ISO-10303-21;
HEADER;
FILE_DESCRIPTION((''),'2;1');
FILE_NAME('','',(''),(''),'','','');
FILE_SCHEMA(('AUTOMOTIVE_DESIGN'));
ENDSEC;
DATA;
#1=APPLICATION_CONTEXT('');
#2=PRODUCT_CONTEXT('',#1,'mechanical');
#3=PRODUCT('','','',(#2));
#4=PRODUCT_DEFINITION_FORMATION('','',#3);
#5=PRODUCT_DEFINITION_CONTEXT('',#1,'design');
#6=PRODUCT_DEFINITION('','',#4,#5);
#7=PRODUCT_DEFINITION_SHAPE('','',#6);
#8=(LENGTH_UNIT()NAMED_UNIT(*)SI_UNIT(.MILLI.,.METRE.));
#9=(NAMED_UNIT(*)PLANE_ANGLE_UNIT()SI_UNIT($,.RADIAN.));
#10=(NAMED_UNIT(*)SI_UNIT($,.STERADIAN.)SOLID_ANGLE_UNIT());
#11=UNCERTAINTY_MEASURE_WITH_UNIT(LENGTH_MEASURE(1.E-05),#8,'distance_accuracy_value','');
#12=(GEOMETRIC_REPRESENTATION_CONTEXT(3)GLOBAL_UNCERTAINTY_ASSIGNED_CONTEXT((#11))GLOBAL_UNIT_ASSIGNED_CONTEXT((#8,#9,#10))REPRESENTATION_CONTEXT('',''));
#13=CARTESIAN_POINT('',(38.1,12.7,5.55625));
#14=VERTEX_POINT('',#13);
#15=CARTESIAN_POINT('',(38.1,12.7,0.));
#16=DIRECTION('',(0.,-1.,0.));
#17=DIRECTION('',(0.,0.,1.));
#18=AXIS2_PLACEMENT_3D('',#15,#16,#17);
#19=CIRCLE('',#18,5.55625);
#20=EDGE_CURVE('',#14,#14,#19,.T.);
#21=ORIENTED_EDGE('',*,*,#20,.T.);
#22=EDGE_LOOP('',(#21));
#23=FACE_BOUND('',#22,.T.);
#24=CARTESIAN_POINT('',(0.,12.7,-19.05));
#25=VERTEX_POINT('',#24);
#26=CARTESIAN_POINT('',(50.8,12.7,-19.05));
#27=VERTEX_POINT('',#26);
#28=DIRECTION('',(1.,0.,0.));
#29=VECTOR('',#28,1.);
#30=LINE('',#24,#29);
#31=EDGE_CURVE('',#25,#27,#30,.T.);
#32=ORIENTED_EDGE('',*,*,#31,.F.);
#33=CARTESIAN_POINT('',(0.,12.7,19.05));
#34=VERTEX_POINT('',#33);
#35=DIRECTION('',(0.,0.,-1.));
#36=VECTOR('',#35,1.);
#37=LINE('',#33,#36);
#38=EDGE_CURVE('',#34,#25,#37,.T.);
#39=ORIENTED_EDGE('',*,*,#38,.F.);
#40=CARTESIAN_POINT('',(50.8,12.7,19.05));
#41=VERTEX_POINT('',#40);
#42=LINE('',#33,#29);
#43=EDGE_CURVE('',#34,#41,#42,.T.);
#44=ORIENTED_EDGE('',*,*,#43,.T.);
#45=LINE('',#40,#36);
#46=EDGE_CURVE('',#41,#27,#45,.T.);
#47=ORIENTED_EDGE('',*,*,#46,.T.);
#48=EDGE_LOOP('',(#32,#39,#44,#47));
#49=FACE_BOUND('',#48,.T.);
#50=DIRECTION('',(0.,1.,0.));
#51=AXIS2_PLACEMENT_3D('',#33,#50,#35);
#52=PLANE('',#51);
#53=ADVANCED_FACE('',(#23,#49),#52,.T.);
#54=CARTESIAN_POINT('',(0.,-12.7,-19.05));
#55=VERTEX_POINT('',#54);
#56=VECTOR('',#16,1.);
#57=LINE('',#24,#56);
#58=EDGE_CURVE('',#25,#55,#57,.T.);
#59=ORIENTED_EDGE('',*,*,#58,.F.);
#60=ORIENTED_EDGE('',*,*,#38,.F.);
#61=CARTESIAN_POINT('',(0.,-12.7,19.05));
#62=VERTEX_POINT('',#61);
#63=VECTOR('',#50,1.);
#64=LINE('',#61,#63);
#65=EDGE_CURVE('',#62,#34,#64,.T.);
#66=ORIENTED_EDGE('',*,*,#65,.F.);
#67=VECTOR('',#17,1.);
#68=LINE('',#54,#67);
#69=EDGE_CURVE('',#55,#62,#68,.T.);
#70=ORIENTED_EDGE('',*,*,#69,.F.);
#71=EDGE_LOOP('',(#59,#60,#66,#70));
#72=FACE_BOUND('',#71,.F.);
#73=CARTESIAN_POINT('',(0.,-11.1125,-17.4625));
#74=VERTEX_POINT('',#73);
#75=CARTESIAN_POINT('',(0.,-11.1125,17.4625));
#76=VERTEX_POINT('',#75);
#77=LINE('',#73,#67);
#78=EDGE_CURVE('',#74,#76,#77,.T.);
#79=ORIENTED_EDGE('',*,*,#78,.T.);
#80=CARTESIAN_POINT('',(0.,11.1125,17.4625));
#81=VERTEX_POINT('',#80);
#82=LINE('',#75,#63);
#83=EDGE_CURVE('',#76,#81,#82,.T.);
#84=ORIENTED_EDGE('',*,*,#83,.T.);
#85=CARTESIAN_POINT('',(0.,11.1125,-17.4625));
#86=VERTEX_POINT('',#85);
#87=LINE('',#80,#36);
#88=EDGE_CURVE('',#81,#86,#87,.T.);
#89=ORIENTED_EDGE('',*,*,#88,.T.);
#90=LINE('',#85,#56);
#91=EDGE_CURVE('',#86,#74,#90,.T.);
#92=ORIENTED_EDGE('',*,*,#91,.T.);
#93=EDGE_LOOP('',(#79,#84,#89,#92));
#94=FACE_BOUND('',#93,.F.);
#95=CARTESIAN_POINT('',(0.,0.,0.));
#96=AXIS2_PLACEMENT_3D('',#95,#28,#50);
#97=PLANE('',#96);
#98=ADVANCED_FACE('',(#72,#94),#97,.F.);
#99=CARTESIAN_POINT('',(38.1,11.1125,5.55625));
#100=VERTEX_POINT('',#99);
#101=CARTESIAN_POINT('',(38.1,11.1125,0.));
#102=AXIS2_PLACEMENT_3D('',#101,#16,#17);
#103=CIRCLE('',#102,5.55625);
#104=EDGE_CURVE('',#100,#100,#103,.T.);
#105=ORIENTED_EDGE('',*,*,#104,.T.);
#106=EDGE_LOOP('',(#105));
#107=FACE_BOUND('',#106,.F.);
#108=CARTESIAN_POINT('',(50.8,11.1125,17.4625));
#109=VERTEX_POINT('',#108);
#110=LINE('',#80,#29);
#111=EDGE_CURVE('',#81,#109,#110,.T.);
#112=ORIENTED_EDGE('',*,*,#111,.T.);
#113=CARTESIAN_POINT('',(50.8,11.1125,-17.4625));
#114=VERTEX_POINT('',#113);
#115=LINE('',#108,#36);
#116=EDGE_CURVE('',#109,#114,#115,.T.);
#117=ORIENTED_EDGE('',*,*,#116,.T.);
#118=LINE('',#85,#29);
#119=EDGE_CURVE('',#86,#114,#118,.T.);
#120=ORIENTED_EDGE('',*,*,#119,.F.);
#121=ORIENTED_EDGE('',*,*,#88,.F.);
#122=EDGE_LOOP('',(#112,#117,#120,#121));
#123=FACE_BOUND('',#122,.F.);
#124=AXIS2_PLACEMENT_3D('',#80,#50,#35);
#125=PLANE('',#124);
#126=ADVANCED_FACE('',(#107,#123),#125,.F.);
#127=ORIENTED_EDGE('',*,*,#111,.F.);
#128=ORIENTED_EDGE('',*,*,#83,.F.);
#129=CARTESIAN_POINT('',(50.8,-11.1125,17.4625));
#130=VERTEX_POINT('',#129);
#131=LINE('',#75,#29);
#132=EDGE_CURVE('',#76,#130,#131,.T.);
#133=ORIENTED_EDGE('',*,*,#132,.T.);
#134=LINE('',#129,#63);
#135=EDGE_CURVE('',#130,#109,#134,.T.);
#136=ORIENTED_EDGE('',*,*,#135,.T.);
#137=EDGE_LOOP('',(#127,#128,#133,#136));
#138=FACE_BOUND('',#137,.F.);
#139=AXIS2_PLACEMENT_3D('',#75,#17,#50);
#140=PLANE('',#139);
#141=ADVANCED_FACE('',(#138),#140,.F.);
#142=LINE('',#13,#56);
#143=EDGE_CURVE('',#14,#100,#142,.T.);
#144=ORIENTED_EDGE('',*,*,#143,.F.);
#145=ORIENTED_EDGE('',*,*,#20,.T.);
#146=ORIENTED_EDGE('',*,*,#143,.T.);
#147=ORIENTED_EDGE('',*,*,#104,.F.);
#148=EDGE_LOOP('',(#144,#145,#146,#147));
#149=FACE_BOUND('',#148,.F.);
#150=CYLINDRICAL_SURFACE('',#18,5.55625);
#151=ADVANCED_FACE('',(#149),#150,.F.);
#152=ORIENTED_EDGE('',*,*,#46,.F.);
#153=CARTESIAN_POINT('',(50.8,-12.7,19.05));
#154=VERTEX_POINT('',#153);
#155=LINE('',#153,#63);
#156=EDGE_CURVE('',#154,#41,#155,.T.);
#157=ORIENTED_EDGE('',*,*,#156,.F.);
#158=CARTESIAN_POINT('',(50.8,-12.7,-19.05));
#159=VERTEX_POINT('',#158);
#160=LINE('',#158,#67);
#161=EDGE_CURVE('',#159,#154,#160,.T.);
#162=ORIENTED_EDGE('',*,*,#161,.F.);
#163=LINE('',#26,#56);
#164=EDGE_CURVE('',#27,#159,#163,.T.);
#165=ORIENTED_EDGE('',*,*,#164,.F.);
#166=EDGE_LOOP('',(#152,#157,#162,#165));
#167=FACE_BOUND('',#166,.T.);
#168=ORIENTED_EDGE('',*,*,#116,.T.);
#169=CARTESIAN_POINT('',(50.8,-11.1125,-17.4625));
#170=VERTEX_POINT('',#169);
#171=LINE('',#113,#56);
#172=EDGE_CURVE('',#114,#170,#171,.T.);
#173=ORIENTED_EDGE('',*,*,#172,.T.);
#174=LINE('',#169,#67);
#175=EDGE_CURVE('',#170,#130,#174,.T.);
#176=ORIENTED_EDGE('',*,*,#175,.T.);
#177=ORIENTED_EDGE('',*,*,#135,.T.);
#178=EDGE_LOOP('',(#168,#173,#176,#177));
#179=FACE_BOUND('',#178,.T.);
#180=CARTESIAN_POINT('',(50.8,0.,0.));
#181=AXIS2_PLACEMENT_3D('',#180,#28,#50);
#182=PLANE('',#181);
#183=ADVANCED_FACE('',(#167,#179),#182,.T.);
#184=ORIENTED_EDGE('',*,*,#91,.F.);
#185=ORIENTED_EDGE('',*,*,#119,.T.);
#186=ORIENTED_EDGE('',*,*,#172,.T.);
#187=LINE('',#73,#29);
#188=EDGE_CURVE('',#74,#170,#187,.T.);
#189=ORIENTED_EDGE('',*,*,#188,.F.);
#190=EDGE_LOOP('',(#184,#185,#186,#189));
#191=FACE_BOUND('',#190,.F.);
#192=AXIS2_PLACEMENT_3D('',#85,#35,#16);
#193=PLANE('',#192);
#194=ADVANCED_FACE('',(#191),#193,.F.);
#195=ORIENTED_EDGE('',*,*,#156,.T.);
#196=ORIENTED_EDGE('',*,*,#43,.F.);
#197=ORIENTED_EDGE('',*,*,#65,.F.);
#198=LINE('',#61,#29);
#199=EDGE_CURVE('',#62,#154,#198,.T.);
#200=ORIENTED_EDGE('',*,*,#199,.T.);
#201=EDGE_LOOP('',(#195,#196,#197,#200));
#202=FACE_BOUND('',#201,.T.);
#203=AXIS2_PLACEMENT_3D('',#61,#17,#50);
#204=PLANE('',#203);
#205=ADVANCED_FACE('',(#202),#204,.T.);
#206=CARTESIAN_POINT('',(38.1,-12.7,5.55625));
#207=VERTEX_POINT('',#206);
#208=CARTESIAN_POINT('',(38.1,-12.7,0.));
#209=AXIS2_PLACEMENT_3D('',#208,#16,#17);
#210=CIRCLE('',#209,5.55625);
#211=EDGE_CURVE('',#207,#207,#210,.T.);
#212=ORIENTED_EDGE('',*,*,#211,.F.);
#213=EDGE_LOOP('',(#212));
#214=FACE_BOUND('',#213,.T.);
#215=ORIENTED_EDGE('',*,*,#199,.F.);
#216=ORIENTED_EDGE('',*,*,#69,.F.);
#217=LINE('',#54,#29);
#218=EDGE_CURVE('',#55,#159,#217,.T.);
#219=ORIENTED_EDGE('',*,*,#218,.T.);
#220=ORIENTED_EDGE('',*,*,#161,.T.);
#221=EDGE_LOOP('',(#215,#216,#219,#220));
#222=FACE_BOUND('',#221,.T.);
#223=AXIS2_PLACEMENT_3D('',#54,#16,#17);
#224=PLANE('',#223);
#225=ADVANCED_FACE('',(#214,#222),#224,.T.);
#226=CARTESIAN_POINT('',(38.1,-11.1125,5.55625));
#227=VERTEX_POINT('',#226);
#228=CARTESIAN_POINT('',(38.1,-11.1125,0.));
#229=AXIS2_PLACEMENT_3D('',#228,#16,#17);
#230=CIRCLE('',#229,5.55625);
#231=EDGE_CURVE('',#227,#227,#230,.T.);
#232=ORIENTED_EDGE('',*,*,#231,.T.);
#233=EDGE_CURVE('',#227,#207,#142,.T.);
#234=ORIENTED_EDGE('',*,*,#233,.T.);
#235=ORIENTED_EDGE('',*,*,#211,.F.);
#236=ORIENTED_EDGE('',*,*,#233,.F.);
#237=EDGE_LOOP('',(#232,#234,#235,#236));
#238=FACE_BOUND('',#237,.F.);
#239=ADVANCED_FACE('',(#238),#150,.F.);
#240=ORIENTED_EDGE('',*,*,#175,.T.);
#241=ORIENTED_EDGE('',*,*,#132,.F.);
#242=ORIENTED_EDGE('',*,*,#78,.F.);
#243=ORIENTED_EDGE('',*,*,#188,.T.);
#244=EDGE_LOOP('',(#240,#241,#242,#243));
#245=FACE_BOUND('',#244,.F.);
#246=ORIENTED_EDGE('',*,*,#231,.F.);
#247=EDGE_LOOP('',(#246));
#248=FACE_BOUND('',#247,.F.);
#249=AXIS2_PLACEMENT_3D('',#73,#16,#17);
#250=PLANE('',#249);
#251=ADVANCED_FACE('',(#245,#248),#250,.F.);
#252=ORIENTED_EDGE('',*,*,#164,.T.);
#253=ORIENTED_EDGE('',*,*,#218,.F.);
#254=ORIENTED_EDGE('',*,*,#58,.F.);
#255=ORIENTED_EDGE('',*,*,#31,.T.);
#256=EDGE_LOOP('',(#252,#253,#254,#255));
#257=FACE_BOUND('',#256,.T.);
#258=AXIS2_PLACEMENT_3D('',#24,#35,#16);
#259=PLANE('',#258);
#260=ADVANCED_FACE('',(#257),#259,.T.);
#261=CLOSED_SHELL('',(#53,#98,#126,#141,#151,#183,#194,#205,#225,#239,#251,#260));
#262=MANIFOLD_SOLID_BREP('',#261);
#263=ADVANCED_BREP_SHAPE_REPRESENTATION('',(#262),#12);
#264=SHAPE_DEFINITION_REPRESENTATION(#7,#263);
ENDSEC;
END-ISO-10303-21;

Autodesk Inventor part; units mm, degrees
ref_plane "Work Plane3" through (0, 12.7, 0) normal (0, 1, 0) x (-1, 0, 0)
ref_plane "Start Plane" through (0, 0, 0) normal (1, 0, 0) x (0, 1, 0)
ref_plane "End Plane" through (50.8, 0, 0) normal (1, 0, 0) x (0, 1, 0)
sketch "Sketch" plane through (0, 0, 0) normal (1, 0, 0) x (0, 1, 0)
  line L0 (-12.7, 19.05) -> (12.7, 19.05)
  line L1 (12.7, 19.05) -> (12.7, -19.05)
  line L2 (12.7, -19.05) -> (-12.7, -19.05)
  line L3 (-12.7, -19.05) -> (-12.7, 19.05)
  line L4 (-12.7, 19.05) -> (12.7, -19.05) construction
  line L5 (12.7, 19.05) -> (-12.7, -19.05) construction
  line L6 (-11.1125, 17.4625) -> (11.1125, 17.4625)
  line L7 (11.1125, 17.4625) -> (11.1125, -17.4625)
  line L8 (11.1125, -17.4625) -> (-11.1125, -17.4625)
  line L9 (-11.1125, -17.4625) -> (-11.1125, 17.4625)
  line L10 (-11.1125, 17.4625) -> (11.1125, -17.4625) construction
  line L11 (11.1125, 17.4625) -> (-11.1125, -17.4625) construction
  point P0 (0, 0)
  dimension "d0" = 38.1
  dimension "d1" = 25.4
  dimension "d2" = 1.5875
  dimension "d3" = 1.5875
extrude "Body" add sketch "Sketch" along normal up to surface (50.8 mm away) from surface at 0
sketch "Sketch8" plane through (0, 0, 0) normal (1, 0, 0) x (0, 1, 0)
  line L0 (0, 0) -> (10, 0)
ref_plane "Work Plane6" through (0, 0, 0) normal (0, 0, -1) x (0, 1, 0)
sketch "Sketch9" plane through (0, 0, 0) normal (0, 0, -1) x (0, 1, 0)
  line L0 (-17.78, 0) -> (17.78, 0)
  line L1 (-17.78, 50.8) -> (17.78, 50.8)
  dimension "d21" = 50.8
sketch "Sketch5" plane through (0, 12.7, -19.05) normal (0, 1, 0) x (1, 0, 0)
  line L0 (0, -38.1) -> (0, 0) projected
  point P0 (0, -19.05)
  point P1 (38.1, -19.05)
  dimension "d22" = 38.1
hole "Hole2" at (38.1, 12.7, 0) direction (0, -1, 0) diameter 11.1125 end through all
equation "\"d3\" = d2"
equation "\"G_OFFSET_START\" = 0"
equation "\"G_OFFSET_END\" = 0"
equation "\"d17\" = d4 + G_OFFSET_END"
equation "\"G_L\" = d21"
equation "\"d4\" = 50.8"
properties part number "1605682847340"
